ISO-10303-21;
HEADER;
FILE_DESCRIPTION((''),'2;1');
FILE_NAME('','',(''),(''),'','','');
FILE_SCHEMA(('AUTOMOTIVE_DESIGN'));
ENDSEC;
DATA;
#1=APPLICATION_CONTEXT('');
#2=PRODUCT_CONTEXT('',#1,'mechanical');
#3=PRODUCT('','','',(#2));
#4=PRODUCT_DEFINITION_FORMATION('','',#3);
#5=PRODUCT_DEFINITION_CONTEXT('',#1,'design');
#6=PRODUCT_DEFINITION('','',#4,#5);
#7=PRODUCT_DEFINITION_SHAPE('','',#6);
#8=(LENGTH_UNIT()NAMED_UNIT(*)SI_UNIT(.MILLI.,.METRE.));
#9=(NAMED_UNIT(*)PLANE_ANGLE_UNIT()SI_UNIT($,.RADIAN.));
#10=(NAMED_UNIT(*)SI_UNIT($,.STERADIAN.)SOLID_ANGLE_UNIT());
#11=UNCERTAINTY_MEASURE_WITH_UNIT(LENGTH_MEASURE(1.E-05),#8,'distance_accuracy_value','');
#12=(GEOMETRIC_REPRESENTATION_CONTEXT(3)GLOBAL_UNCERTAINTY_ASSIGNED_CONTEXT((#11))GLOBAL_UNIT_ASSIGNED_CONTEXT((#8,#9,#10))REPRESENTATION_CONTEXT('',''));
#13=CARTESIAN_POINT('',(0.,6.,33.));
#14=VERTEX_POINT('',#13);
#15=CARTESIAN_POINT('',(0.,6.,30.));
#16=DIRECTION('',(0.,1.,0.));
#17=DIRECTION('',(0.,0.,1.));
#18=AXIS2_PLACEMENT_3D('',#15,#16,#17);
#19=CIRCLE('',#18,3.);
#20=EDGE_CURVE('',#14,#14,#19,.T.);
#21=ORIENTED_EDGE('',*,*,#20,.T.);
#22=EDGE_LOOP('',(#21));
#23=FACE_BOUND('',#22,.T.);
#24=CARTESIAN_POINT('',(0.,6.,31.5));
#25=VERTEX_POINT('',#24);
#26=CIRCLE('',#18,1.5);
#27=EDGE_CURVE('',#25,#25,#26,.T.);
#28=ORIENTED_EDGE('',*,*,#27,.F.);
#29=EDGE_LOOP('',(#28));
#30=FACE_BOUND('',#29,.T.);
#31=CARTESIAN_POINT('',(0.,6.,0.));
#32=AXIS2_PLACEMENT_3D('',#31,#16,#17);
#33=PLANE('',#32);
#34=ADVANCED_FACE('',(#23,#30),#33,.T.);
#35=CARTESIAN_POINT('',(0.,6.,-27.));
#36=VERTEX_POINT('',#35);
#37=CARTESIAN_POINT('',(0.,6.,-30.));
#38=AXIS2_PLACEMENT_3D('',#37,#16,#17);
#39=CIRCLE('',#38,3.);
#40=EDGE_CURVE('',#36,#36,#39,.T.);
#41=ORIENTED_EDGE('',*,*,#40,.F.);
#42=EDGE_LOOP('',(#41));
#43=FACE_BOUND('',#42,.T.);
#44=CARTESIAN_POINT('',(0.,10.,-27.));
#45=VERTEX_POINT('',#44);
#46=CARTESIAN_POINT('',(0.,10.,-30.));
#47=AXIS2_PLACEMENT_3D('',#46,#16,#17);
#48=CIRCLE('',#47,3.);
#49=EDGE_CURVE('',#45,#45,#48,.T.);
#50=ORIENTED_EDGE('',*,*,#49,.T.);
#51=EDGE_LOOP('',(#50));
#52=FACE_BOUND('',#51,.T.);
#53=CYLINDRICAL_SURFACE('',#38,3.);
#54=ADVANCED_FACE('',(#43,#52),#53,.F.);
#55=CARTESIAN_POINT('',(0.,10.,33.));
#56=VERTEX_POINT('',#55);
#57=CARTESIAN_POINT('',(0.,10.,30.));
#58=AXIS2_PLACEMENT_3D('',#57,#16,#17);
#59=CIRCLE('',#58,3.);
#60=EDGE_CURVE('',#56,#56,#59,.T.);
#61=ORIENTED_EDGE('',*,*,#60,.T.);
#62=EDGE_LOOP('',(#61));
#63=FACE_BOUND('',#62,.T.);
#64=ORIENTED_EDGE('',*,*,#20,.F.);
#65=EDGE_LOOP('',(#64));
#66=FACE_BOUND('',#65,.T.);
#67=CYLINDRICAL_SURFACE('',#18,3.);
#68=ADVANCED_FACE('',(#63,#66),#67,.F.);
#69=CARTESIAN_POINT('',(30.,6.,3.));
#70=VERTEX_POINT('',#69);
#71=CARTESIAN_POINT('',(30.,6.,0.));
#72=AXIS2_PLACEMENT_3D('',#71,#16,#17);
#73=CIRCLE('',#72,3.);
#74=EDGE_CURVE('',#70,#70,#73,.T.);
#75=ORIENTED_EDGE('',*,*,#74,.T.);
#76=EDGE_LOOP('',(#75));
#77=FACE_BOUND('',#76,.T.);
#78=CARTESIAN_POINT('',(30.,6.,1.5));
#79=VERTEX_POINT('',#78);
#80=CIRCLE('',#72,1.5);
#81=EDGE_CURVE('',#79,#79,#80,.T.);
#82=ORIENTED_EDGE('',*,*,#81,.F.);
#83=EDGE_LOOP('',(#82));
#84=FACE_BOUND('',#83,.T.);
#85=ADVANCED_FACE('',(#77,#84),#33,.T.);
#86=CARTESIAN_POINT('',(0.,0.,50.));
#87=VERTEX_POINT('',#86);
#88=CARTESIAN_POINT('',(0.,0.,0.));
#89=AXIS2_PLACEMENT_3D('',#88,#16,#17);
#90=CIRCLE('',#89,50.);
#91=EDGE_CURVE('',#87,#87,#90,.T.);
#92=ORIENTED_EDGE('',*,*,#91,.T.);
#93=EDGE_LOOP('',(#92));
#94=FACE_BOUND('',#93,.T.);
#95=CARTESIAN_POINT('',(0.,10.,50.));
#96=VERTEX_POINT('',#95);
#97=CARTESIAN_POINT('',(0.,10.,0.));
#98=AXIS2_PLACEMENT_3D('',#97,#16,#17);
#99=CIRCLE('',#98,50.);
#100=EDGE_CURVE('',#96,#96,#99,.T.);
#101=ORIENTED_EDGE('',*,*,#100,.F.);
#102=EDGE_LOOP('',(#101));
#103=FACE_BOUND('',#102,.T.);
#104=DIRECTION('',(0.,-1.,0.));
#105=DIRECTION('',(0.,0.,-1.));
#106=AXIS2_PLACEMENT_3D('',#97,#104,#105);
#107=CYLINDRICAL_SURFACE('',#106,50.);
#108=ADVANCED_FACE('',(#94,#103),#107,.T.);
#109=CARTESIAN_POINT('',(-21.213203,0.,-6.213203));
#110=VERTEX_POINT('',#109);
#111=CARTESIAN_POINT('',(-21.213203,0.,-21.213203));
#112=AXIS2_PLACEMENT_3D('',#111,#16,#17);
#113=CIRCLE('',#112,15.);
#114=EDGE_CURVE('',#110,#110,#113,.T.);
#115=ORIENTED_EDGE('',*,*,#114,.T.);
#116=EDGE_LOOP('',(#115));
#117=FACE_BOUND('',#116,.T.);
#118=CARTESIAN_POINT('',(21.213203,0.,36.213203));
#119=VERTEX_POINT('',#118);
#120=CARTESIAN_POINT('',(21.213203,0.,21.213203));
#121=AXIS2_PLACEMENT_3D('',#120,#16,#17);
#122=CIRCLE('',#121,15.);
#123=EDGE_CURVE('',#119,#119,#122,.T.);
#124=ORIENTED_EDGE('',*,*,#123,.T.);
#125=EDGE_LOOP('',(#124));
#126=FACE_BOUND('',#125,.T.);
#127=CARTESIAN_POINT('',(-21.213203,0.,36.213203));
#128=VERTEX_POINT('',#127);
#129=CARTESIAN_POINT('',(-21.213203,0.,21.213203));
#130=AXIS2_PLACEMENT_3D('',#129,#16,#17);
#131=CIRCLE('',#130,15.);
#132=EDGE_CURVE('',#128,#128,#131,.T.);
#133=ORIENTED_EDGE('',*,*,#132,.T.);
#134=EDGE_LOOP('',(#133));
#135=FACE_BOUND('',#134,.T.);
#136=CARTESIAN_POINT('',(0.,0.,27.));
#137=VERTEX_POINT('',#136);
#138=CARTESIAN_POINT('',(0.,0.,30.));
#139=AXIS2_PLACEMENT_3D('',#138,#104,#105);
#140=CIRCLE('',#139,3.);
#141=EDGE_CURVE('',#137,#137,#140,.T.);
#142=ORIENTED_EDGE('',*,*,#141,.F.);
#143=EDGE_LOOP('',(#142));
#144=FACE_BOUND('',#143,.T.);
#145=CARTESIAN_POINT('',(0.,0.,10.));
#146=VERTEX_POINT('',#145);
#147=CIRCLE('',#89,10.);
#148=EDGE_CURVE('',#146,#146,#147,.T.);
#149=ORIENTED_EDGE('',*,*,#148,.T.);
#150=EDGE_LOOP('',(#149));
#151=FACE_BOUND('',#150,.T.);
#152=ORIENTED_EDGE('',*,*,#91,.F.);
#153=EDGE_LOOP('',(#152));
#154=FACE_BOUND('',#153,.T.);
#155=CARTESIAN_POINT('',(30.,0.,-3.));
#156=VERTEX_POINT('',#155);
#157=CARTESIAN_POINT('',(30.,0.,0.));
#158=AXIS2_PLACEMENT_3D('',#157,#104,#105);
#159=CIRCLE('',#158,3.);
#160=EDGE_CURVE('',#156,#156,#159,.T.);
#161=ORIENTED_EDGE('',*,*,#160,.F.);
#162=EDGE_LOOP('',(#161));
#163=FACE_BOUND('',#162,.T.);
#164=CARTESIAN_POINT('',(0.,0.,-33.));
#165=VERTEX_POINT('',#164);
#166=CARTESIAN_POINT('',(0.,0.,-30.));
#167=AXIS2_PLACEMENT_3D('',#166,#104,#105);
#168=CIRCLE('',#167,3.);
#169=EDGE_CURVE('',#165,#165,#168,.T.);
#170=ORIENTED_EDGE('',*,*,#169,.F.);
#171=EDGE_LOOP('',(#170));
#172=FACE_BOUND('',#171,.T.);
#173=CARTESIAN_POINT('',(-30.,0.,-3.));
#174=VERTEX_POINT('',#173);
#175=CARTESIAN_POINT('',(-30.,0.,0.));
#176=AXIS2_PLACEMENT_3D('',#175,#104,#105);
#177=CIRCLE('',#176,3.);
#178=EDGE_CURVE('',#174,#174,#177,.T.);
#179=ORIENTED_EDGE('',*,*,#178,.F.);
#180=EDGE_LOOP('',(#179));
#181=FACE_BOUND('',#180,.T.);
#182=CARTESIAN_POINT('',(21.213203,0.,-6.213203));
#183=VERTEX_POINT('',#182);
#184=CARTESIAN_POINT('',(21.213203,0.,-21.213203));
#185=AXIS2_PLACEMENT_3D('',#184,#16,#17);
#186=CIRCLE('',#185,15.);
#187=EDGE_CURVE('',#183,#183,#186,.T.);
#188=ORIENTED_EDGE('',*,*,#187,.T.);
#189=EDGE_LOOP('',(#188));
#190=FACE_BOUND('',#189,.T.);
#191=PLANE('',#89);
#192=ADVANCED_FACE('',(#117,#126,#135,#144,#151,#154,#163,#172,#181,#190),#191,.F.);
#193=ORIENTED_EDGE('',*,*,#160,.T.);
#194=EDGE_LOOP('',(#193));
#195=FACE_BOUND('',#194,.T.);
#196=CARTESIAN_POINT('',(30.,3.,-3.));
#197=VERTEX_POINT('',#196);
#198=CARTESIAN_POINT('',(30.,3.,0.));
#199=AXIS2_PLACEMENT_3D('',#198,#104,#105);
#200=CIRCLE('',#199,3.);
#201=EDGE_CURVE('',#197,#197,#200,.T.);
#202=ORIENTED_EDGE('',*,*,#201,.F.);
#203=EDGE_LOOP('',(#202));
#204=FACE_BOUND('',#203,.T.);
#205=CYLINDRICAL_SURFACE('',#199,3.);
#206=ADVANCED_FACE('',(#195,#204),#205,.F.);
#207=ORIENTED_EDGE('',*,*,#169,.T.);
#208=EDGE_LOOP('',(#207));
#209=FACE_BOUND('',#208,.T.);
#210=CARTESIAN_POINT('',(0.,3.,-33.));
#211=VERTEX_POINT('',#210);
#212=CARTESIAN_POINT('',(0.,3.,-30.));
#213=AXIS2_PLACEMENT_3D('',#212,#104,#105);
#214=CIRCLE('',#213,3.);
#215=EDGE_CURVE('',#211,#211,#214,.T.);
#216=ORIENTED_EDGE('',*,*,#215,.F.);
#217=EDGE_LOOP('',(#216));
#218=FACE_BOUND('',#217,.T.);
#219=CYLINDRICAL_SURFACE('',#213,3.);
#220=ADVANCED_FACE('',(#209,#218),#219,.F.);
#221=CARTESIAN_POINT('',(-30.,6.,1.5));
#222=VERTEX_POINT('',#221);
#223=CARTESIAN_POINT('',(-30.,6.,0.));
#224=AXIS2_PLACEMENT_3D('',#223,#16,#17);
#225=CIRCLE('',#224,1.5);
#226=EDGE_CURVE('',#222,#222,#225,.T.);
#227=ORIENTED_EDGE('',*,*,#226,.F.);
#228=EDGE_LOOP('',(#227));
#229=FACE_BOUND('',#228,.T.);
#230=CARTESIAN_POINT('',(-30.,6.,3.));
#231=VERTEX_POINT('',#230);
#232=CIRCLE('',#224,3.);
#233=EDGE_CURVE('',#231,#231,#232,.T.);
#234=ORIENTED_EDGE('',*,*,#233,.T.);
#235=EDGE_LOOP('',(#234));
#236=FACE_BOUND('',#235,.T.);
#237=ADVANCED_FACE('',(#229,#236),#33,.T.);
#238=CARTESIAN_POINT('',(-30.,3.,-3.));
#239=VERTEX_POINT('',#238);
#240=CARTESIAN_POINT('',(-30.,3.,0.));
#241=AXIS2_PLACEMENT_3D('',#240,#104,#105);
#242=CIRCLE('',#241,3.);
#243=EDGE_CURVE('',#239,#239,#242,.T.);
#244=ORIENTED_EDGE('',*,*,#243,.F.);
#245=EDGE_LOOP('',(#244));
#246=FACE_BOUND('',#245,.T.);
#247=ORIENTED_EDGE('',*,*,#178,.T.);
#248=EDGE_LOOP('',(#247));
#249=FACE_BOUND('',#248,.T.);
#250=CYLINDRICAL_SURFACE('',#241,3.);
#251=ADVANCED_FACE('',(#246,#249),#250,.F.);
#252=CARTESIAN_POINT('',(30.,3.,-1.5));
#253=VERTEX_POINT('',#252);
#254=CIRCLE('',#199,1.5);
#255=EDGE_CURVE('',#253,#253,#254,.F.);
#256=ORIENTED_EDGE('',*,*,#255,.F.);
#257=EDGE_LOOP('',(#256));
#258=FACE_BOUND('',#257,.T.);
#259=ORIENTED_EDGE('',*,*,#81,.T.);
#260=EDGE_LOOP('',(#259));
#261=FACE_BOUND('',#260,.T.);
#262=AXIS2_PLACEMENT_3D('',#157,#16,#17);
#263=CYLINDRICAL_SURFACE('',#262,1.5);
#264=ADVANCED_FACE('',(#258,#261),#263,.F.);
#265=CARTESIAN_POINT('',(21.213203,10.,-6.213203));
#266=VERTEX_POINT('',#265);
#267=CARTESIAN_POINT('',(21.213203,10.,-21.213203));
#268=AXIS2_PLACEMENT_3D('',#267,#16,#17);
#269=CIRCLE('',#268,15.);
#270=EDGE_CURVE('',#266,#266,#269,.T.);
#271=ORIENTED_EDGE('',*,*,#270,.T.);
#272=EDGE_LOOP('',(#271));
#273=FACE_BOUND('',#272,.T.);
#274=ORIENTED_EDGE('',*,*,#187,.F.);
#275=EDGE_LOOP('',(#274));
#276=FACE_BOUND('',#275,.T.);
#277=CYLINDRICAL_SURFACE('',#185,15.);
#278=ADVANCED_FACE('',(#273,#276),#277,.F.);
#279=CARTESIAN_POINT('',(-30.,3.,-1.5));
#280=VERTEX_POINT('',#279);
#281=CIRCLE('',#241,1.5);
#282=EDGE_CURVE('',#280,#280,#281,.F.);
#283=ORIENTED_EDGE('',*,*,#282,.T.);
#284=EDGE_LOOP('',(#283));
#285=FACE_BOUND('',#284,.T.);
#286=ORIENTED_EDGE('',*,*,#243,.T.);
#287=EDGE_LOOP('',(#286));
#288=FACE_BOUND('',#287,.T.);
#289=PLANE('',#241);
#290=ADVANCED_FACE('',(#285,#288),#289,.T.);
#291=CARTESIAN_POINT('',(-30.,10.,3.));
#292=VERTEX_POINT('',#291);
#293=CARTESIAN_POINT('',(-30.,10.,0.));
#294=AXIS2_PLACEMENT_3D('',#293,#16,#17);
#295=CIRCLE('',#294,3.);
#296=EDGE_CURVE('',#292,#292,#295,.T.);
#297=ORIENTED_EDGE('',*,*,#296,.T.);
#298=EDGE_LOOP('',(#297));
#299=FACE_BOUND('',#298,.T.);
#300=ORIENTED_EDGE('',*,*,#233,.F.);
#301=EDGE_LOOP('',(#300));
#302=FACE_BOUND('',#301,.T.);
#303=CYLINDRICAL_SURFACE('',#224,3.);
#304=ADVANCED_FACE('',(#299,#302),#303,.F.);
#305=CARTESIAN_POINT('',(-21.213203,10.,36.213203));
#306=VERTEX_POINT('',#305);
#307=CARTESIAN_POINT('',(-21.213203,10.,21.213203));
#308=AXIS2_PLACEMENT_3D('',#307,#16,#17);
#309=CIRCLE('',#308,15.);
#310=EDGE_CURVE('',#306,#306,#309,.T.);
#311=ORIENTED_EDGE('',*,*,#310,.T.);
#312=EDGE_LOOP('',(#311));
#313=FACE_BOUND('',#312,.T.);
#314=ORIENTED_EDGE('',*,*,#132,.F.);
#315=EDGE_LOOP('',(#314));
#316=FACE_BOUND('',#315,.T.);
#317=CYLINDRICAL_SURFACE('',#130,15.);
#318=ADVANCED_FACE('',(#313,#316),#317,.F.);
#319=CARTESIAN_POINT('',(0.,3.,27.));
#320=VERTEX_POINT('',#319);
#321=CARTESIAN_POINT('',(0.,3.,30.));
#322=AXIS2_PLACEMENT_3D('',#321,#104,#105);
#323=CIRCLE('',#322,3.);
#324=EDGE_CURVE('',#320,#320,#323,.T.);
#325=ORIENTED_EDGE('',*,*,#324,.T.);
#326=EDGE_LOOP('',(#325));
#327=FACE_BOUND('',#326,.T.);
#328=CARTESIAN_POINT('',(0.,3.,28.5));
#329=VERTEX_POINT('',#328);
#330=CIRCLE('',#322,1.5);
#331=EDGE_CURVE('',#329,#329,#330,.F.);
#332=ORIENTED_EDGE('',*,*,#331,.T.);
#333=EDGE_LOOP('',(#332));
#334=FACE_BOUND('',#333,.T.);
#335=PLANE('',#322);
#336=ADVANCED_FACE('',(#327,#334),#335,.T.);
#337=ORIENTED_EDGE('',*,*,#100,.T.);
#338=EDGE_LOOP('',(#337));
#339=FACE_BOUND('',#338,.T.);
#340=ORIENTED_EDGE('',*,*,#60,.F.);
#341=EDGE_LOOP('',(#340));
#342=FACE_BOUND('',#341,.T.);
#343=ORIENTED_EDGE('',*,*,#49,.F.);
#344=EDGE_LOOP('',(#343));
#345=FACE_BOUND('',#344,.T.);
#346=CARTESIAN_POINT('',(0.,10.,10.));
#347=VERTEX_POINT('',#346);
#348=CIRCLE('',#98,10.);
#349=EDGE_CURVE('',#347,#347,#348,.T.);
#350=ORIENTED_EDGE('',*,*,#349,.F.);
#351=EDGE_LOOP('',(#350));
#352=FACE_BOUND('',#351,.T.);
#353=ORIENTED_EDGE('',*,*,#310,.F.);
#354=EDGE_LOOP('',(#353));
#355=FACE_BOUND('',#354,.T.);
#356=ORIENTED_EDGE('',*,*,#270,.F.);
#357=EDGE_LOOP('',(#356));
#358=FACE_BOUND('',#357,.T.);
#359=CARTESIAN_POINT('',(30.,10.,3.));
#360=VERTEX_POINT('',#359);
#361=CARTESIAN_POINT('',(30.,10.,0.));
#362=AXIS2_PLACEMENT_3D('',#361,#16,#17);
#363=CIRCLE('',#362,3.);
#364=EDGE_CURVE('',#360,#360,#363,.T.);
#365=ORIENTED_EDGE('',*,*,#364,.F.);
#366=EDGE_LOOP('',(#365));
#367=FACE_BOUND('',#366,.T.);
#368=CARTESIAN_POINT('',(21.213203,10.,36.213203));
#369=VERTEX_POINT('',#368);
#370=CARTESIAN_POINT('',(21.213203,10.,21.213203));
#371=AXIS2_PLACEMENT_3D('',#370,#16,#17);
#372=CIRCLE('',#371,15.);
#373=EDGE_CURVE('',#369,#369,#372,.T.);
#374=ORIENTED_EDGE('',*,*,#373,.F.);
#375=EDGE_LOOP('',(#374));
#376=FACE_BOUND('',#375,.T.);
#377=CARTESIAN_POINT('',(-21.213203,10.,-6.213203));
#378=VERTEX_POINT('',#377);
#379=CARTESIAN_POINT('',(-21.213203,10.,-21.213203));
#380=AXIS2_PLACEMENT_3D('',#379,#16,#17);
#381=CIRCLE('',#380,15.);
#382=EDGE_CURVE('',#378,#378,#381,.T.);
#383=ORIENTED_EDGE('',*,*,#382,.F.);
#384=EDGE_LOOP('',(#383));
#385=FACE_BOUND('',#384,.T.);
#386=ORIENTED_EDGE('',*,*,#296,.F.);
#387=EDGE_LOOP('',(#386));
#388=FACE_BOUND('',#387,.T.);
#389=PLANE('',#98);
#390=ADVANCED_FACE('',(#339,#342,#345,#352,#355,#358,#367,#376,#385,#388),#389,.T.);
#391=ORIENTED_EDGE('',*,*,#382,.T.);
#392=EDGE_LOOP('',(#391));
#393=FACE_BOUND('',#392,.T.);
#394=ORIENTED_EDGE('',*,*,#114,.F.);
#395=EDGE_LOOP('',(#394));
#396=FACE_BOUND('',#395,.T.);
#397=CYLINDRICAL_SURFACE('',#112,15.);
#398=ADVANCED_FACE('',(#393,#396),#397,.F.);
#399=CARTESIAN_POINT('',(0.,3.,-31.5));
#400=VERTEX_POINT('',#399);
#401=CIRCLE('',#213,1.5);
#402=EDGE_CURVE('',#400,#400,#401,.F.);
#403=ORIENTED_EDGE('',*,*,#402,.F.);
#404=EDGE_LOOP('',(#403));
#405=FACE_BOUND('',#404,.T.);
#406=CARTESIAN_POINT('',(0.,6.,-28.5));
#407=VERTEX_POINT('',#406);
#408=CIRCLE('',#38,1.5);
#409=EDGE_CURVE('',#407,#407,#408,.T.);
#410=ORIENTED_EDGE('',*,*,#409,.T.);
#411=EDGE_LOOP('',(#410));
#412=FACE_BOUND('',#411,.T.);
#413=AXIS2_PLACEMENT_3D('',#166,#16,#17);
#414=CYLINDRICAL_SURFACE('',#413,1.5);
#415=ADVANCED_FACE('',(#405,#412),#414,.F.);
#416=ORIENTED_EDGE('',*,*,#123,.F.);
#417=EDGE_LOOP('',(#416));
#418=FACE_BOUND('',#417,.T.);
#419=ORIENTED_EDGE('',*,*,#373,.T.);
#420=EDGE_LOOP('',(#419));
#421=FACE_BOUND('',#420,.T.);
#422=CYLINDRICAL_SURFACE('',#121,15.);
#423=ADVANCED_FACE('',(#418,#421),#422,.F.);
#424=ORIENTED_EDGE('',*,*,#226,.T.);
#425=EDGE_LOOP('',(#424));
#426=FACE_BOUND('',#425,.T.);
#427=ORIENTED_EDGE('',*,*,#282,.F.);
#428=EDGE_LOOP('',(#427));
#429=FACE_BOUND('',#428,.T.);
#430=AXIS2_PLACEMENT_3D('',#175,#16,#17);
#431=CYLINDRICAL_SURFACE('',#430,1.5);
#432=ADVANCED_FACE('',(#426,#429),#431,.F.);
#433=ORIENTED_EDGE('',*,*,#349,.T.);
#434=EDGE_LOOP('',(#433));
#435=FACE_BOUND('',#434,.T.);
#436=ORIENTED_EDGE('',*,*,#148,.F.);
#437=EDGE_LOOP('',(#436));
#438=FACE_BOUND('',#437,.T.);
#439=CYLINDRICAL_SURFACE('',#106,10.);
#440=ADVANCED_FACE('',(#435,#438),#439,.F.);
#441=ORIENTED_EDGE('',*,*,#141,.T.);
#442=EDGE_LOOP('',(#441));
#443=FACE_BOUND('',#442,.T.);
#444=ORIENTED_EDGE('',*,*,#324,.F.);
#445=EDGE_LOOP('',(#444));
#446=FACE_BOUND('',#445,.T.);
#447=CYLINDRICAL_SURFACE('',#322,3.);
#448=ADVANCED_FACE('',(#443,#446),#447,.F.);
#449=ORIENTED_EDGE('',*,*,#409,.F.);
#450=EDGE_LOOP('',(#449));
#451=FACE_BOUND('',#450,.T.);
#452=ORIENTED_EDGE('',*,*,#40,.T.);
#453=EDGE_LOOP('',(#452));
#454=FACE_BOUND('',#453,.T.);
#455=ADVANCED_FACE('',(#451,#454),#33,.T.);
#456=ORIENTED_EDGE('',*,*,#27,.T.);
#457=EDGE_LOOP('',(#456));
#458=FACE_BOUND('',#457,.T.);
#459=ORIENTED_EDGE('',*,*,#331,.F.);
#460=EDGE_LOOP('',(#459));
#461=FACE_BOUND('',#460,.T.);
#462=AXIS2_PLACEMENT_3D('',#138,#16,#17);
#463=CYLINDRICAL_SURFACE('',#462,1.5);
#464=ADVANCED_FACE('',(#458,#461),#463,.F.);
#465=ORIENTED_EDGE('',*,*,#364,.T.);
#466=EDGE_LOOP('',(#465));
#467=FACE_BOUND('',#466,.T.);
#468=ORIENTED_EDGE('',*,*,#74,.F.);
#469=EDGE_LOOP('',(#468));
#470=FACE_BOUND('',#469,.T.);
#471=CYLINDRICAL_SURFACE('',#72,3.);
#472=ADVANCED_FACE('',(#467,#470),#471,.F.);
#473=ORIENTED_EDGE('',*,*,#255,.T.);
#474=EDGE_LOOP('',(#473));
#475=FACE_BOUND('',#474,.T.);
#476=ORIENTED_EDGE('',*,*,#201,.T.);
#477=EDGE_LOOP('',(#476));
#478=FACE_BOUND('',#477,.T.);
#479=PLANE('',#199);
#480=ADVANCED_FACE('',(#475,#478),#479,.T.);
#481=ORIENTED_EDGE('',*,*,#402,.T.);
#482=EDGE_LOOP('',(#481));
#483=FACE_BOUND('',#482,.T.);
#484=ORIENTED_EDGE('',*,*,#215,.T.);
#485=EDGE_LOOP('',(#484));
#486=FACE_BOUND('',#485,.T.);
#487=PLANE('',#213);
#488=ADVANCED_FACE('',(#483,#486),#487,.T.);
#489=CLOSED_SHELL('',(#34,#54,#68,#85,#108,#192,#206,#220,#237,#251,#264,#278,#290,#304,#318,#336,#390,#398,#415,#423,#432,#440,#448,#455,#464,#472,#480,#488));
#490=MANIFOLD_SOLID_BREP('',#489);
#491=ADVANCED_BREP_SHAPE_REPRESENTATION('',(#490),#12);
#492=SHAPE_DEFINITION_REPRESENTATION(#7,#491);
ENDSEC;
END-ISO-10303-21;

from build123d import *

# Parameters (mm, degrees)
SKETCH_2_R          = 50
SKETCH_2_R_2        = 30
SKETCH_2_R_3        = 10
EXTRUDE_1_DEPTH     = 10
SKETCH_3_R          = 3
CUT_EXTRUDE_1_DEPTH = 4
SKETCH_4_R          = 1.5
CUT_EXTRUDE_2_DEPTH = 71.964779997
CUT_EXTRUDE_START   = -3
SKETCH_5_R          = 3
CUT_EXTRUDE_3_DEPTH = 3
SKETCH_6_R          = 15
CUT_EXTRUDE_5_DEPTH = 72.414284285


with BuildPart() as part:
    # 草图2 → 凸台-拉伸1 (new body)
    # profile 1 of 2: a face of its own
    with BuildSketch(Plane(origin=(0, 0, 0), x_dir=(1, 0, 0), z_dir=(0, 1, 0))):
        with Locations(Location((0, 0, 0), (0, 0, 270))):
            Circle(SKETCH_2_R)
        Circle(SKETCH_2_R_2, mode=Mode.SUBTRACT)
    # profile 2 of 2: a face of its own
    with BuildSketch(Plane(origin=(0, 0, 0), x_dir=(1, 0, 0), z_dir=(0, 1, 0))):
        Circle(SKETCH_2_R_2)
        with Locations(Location((0, 0, 0), (0, 0, 270))):
            Circle(SKETCH_2_R_3, mode=Mode.SUBTRACT)
    extrude(amount=EXTRUDE_1_DEPTH)

    # 草图3 → 切除-拉伸1 (cut)
    with BuildSketch(Plane(origin=(0, 10, 0), x_dir=(1, 0, 0), z_dir=(0, 1, 0))):
        with Locations(Location((0, 30, 0), (0, 0, 270))):
            Circle(SKETCH_3_R)
        with Locations(Location((30, 0, 0), (0, 0, 270))):
            Circle(SKETCH_3_R)
        with Locations(Location((0, -30, 0), (0, 0, 270))):
            Circle(SKETCH_3_R)
        with Locations(Location((-30, 0, 0), (0, 0, 270))):
            Circle(SKETCH_3_R)
    extrude(amount=-CUT_EXTRUDE_1_DEPTH, mode=Mode.SUBTRACT)

    # 草图4 → 切除-拉伸2 (cut, through all)
    with BuildSketch(Plane(origin=(0, 6, 0), x_dir=(1, 0, 0), z_dir=(0, 1, 0))):
        with Locations(Location((0, 30, 0), (0, 0, 270))):
            Circle(SKETCH_4_R)
        with Locations(Location((30, 0, 0), (0, 0, 270))):
            Circle(SKETCH_4_R)
        with Locations(Location((0, -30, 0), (0, 0, 270))):
            Circle(SKETCH_4_R)
        with Locations(Location((-30, 0, 0), (0, 0, 270))):
            Circle(SKETCH_4_R)
    extrude(amount=-CUT_EXTRUDE_2_DEPTH, mode=Mode.SUBTRACT)

    # 草图5 → 切除-拉伸3 (cut)
    with BuildSketch(Plane.XZ.offset(CUT_EXTRUDE_START)):
        with Locations(Location((0, 30, 0), (0, 0, 90))):
            Circle(SKETCH_5_R)
        with Locations(Location((30, 0, 0), (0, 0, 90))):
            Circle(SKETCH_5_R)
        with Locations(Location((0, -30, 0), (0, 0, 90))):
            Circle(SKETCH_5_R)
        with Locations(Location((-30, 0, 0), (0, 0, 90))):
            Circle(SKETCH_5_R)
    extrude(amount=CUT_EXTRUDE_3_DEPTH, mode=Mode.SUBTRACT)

    # 草图6 → 切除-拉伸5 (cut, through all)
    with BuildSketch(Plane(origin=(0, 10, 0), x_dir=(1, 0, 0), z_dir=(0, 1, 0))):
        with Locations(Location((-21.213203436, 21.213203436, 0), (0, 0, 270))):
            Circle(SKETCH_6_R)
        with BuildLine():
            ThreePointArc((36.213203436, 21.213203436), (35.071396428, 26.953454911), (31.819805169, 31.819805138))
            Line((31.819805153, 31.819805153), (10.606601718, 10.606601718))
            ThreePointArc((10.606601715, 10.606601721), (26.953454919, 7.355010447), (36.213203436, 21.213203436))
        make_face()
        with BuildLine():
            Line((10.606601718, 10.606601718), (31.819805153, 31.819805153))
            ThreePointArc((31.819805169, 31.819805138), (10.606601727, 31.819805163), (10.606601715, 10.606601721))
        make_face()
        with Locations(Location((21.213203436, -21.213203436, 0), (0, 0, 270))):
            Circle(SKETCH_6_R)
        with BuildLine():
            ThreePointArc((-10.60660172, -10.606601716), (-31.819805167, -10.606601732), (-31.819805128, -31.819805179))
            Line((-31.819805153, -31.819805153), (-10.606601718, -10.606601718))
        make_face()
        with BuildLine():
            Line((-10.606601718, -10.606601718), (-31.819805153, -31.819805153))
            ThreePointArc((-31.819805128, -31.819805179), (-15.472951933, -35.071396416), (-6.213203436, -21.213203436))
            ThreePointArc((-6.213203436, -21.213203436), (-7.355010448, -15.472951949), (-10.60660172, -10.606601716))
        make_face()
    extrude(amount=-CUT_EXTRUDE_5_DEPTH, mode=Mode.SUBTRACT)


solid = part.part
